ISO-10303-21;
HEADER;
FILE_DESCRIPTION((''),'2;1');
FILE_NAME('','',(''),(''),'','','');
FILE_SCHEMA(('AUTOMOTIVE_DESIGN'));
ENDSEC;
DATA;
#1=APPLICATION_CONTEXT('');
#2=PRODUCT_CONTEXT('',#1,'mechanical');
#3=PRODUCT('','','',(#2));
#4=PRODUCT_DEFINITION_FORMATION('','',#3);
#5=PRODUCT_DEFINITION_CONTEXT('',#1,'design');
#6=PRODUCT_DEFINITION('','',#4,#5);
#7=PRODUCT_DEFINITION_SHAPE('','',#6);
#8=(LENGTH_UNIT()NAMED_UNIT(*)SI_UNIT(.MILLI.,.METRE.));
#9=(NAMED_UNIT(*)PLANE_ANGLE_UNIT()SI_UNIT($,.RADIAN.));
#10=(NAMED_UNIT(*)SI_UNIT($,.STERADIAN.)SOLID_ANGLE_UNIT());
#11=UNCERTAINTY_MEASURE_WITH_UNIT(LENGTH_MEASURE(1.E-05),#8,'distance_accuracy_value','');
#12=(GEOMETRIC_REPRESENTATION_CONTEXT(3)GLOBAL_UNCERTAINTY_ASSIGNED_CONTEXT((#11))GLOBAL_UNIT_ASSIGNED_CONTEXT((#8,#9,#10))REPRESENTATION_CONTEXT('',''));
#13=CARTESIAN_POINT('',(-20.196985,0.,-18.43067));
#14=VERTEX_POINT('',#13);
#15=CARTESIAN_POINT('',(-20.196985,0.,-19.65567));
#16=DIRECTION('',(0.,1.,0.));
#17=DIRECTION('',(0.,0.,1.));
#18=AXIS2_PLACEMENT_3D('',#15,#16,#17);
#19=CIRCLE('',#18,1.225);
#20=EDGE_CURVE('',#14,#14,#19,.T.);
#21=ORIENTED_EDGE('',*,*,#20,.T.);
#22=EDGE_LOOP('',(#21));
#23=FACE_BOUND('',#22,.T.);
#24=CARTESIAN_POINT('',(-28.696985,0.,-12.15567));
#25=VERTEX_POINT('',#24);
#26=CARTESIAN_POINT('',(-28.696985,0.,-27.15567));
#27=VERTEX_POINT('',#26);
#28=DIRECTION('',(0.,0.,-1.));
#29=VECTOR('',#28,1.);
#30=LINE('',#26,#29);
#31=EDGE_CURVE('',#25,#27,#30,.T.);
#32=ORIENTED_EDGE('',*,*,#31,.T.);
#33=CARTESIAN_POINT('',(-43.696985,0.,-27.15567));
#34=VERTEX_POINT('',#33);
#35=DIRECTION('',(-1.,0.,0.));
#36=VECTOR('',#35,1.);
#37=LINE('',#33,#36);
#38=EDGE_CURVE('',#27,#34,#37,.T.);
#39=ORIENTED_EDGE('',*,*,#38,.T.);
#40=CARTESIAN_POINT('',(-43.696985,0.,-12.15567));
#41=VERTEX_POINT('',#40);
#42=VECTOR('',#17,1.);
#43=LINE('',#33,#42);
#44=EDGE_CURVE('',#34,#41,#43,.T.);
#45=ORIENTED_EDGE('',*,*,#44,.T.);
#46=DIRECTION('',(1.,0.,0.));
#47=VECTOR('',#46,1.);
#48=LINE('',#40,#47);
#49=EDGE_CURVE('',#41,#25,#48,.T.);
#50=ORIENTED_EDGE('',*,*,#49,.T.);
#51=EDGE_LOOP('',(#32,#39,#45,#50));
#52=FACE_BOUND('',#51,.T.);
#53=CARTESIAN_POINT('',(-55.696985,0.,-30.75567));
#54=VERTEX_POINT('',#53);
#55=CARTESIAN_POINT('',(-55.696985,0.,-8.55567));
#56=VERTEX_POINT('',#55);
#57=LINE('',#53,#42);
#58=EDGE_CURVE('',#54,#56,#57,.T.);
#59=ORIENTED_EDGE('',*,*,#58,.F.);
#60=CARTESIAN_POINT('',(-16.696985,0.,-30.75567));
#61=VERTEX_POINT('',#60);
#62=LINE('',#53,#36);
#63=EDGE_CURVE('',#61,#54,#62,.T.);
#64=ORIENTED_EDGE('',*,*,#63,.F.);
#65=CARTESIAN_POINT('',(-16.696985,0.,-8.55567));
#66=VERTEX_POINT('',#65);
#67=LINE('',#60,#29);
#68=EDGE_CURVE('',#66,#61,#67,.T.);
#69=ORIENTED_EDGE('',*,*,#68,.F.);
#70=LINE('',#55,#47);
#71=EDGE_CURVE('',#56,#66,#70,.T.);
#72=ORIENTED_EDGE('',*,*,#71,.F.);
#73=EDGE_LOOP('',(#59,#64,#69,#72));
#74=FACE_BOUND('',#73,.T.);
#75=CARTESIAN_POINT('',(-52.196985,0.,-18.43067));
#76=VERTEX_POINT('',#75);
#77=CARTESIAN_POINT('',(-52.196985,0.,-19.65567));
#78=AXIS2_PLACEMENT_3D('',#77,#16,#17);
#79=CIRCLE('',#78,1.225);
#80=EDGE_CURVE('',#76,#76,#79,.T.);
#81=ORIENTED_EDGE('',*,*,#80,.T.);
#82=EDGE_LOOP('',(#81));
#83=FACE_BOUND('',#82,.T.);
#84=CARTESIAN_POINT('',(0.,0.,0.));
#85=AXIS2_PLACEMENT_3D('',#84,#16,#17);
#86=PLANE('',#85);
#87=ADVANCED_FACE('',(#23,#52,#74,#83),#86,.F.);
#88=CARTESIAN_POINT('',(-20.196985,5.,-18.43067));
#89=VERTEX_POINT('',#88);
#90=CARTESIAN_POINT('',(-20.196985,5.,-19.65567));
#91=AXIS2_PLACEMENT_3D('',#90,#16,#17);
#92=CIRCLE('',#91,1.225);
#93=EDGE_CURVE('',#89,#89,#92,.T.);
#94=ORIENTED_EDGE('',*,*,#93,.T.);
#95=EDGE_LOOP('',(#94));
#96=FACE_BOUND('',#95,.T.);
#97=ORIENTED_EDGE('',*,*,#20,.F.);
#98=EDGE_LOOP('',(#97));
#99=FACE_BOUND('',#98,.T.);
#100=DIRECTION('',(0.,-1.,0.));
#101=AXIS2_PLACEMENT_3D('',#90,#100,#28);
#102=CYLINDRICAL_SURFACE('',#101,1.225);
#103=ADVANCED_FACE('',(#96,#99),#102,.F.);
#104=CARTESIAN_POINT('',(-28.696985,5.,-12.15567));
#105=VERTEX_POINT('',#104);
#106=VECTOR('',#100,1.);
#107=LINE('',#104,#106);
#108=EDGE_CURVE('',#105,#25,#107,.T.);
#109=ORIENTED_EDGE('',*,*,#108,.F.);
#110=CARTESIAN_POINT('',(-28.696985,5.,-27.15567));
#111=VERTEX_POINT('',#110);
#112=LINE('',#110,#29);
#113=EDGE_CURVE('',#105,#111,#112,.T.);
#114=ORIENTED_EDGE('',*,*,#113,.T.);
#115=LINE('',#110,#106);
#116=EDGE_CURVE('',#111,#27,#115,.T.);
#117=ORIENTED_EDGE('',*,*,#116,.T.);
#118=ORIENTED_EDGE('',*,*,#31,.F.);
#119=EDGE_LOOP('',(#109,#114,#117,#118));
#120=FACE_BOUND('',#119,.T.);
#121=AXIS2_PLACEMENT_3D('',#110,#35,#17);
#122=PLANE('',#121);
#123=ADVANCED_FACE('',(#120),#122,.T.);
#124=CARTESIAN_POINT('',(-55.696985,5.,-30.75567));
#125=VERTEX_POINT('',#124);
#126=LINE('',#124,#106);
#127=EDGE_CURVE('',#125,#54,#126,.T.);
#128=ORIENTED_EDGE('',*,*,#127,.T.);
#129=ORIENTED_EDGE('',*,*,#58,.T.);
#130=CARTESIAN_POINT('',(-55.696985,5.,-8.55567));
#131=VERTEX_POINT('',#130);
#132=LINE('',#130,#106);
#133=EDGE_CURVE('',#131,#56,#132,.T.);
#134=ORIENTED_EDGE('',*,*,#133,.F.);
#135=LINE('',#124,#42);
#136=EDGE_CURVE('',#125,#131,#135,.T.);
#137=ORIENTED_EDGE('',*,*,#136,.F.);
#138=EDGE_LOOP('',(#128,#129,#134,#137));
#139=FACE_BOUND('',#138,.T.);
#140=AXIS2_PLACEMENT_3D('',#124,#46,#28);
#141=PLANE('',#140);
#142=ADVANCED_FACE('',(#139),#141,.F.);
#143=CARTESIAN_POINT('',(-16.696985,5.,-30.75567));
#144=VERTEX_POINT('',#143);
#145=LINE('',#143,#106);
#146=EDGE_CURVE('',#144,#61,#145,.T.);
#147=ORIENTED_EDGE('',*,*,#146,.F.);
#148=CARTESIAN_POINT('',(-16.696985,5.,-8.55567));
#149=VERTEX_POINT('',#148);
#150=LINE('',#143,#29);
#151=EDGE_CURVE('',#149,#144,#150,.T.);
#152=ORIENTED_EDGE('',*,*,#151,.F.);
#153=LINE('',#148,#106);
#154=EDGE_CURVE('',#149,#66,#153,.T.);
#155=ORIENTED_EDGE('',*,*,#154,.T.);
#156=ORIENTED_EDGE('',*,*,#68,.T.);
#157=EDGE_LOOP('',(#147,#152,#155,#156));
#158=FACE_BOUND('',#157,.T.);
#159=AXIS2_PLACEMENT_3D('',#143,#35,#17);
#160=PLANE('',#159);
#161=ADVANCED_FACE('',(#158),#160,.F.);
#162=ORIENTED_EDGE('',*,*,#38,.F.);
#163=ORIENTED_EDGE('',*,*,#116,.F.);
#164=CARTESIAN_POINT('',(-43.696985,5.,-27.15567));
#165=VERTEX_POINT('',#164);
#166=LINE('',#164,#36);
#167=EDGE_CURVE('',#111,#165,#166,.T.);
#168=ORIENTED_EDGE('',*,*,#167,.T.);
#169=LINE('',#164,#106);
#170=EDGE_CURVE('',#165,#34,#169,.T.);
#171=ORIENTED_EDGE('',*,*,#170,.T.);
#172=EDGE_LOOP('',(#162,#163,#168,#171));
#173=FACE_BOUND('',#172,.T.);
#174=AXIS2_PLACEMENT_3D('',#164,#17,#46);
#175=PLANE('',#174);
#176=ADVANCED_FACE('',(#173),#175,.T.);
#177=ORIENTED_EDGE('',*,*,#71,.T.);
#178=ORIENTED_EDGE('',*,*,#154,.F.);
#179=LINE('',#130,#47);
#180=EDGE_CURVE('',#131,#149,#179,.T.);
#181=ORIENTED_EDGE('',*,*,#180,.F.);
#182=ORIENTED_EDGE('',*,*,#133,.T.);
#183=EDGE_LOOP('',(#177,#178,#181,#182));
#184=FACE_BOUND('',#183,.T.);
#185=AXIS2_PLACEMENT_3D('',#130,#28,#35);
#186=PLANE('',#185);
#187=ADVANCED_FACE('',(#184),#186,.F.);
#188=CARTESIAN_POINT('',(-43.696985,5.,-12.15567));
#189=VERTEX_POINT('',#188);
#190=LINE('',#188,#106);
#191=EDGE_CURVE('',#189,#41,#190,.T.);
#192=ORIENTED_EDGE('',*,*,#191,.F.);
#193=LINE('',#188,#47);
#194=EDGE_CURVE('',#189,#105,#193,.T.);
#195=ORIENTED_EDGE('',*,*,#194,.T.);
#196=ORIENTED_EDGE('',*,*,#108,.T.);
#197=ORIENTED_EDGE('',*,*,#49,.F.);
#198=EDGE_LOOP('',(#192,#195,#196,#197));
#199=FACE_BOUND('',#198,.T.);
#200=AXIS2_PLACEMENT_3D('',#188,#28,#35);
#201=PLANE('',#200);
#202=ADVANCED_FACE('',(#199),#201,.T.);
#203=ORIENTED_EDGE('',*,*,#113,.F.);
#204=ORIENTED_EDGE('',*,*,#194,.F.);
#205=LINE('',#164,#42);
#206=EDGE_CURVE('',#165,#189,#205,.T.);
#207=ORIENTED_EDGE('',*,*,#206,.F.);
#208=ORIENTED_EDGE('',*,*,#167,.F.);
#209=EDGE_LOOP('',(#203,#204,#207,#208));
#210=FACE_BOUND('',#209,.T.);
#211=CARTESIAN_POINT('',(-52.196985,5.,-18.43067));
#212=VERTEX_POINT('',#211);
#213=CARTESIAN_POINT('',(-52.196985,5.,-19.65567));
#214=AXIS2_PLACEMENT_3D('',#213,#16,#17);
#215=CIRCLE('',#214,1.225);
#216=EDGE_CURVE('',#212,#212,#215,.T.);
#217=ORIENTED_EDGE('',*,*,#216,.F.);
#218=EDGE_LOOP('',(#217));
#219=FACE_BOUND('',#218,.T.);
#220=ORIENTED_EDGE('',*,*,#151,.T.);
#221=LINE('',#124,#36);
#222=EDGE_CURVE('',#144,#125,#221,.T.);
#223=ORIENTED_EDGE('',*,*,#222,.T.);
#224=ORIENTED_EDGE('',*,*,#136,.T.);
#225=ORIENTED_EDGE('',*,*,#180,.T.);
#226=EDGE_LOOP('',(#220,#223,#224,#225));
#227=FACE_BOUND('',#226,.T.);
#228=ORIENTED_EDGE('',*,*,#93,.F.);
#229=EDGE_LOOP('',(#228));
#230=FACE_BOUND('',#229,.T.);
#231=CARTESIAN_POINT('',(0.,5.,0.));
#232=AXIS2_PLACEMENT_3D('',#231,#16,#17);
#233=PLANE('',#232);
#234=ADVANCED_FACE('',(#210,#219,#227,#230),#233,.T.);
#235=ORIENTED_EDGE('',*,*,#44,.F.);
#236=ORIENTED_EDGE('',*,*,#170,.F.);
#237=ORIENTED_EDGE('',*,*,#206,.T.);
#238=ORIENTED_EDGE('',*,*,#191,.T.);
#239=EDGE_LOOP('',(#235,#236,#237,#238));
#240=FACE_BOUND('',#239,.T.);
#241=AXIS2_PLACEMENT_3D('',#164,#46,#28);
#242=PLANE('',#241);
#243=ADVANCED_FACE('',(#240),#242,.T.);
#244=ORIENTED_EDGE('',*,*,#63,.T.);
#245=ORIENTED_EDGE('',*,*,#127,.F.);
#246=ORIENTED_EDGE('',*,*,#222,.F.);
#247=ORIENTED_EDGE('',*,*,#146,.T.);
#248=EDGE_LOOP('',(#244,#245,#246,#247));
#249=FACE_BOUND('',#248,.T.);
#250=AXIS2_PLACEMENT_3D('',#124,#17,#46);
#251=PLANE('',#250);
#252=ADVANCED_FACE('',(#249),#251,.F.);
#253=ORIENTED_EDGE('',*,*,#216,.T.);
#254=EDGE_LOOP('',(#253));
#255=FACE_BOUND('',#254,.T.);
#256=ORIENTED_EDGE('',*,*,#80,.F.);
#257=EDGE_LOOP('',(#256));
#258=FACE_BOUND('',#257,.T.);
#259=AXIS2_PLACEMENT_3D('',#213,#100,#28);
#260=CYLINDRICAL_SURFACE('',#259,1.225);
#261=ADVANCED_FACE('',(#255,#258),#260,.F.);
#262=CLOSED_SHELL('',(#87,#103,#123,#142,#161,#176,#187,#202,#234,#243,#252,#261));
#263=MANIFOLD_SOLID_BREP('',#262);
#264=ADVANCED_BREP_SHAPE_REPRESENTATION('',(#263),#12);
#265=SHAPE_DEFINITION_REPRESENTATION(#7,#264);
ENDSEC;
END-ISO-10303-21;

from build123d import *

# Parameters (mm, degrees)
SKETCH_1_W      = 39
SKETCH_1_H      = 22.2
SKETCH_1_R      = 1.225
SKETCH_1_W_2    = 15
SKETCH_1_H_2    = 15
EXTRUDE_1_DEPTH = 5


with BuildPart() as part:
    # 草图1 → 凸台-拉伸1 (new body)
    with BuildSketch(Plane(origin=(0, 0, 0), x_dir=(1, 0, 0), z_dir=(0, 1, 0))):
        with Locations((-36.196984523, 19.655669648)):
            Rectangle(SKETCH_1_W, SKETCH_1_H)
        with Locations(Location((-52.196984523, 19.655669648, 0), (0, 0, 270))):
            Circle(SKETCH_1_R, mode=Mode.SUBTRACT)
        with Locations(Location((-20.196984523, 19.655669648, 0), (0, 0, 270))):
            Circle(SKETCH_1_R, mode=Mode.SUBTRACT)
        with Locations((-36.196984523, 19.655669648)):
            Rectangle(SKETCH_1_W_2, SKETCH_1_H_2, mode=Mode.SUBTRACT)
    extrude(amount=EXTRUDE_1_DEPTH)


solid = part.part
